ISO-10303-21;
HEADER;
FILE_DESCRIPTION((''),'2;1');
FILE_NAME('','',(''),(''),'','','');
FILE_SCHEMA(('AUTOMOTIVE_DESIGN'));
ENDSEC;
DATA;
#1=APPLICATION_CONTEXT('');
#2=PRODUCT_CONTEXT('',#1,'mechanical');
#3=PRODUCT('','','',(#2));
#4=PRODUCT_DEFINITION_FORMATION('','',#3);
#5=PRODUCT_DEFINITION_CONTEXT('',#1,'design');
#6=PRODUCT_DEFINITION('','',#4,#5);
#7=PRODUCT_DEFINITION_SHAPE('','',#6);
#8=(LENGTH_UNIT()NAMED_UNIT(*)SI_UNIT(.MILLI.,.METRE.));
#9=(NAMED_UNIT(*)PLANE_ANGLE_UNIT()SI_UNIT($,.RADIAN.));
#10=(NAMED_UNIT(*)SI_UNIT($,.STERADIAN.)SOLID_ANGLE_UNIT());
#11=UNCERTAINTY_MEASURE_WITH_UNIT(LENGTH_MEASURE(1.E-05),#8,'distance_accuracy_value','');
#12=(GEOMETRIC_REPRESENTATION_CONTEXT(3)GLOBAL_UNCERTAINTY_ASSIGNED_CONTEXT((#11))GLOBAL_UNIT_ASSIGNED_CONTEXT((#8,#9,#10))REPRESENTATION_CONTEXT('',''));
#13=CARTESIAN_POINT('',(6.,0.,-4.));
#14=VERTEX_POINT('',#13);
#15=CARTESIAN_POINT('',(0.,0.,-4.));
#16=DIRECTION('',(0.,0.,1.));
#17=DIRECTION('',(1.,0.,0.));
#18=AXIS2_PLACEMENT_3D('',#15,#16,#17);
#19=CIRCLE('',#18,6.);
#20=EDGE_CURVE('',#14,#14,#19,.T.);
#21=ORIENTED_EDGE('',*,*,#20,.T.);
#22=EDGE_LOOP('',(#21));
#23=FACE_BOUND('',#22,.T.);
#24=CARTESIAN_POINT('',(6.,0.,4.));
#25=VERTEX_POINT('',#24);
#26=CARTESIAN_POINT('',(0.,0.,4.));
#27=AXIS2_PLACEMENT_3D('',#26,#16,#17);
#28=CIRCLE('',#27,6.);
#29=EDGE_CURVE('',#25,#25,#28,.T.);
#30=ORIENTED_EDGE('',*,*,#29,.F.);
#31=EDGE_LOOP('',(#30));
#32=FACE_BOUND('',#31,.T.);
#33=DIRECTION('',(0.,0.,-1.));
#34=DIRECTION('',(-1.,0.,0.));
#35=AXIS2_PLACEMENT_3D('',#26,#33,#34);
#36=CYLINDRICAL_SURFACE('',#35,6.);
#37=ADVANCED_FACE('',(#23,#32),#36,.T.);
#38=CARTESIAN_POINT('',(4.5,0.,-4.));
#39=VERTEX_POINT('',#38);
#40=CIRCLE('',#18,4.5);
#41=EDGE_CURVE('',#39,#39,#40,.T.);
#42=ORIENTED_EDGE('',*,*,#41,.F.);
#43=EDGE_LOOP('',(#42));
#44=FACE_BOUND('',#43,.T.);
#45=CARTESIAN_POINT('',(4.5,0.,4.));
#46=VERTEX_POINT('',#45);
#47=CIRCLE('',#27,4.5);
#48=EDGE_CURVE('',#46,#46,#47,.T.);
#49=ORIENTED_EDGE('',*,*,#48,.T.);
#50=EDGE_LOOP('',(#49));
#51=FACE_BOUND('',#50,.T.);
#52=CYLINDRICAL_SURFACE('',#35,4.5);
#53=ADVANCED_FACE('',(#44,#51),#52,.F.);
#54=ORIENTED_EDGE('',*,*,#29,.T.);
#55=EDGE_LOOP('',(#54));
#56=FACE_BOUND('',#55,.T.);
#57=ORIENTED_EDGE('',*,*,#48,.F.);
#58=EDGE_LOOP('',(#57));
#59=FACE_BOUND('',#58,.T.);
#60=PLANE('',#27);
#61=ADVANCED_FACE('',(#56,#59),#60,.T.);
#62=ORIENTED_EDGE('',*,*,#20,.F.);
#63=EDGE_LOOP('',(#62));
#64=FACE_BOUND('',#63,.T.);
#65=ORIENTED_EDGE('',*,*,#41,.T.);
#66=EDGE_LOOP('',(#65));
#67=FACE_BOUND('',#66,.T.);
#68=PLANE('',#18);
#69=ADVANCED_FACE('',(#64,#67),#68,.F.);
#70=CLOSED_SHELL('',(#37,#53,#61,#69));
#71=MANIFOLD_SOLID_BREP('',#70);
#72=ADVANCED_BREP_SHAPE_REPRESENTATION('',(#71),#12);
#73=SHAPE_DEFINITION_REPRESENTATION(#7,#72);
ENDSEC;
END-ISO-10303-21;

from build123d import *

# Parameters (mm, degrees)
ESQUISSE1_R        = 6
ESQUISSE1_R_2      = 4.5
BOSS_EXTRU_1_DEPTH = 4


with BuildPart() as part:
    # Esquisse1 → Boss.-Extru.1 (new body, symmetric)
    with BuildSketch(Plane.XY):
        Circle(ESQUISSE1_R)
        Circle(ESQUISSE1_R_2, mode=Mode.SUBTRACT)
    extrude(amount=BOSS_EXTRU_1_DEPTH, both=True)


solid = part.part
